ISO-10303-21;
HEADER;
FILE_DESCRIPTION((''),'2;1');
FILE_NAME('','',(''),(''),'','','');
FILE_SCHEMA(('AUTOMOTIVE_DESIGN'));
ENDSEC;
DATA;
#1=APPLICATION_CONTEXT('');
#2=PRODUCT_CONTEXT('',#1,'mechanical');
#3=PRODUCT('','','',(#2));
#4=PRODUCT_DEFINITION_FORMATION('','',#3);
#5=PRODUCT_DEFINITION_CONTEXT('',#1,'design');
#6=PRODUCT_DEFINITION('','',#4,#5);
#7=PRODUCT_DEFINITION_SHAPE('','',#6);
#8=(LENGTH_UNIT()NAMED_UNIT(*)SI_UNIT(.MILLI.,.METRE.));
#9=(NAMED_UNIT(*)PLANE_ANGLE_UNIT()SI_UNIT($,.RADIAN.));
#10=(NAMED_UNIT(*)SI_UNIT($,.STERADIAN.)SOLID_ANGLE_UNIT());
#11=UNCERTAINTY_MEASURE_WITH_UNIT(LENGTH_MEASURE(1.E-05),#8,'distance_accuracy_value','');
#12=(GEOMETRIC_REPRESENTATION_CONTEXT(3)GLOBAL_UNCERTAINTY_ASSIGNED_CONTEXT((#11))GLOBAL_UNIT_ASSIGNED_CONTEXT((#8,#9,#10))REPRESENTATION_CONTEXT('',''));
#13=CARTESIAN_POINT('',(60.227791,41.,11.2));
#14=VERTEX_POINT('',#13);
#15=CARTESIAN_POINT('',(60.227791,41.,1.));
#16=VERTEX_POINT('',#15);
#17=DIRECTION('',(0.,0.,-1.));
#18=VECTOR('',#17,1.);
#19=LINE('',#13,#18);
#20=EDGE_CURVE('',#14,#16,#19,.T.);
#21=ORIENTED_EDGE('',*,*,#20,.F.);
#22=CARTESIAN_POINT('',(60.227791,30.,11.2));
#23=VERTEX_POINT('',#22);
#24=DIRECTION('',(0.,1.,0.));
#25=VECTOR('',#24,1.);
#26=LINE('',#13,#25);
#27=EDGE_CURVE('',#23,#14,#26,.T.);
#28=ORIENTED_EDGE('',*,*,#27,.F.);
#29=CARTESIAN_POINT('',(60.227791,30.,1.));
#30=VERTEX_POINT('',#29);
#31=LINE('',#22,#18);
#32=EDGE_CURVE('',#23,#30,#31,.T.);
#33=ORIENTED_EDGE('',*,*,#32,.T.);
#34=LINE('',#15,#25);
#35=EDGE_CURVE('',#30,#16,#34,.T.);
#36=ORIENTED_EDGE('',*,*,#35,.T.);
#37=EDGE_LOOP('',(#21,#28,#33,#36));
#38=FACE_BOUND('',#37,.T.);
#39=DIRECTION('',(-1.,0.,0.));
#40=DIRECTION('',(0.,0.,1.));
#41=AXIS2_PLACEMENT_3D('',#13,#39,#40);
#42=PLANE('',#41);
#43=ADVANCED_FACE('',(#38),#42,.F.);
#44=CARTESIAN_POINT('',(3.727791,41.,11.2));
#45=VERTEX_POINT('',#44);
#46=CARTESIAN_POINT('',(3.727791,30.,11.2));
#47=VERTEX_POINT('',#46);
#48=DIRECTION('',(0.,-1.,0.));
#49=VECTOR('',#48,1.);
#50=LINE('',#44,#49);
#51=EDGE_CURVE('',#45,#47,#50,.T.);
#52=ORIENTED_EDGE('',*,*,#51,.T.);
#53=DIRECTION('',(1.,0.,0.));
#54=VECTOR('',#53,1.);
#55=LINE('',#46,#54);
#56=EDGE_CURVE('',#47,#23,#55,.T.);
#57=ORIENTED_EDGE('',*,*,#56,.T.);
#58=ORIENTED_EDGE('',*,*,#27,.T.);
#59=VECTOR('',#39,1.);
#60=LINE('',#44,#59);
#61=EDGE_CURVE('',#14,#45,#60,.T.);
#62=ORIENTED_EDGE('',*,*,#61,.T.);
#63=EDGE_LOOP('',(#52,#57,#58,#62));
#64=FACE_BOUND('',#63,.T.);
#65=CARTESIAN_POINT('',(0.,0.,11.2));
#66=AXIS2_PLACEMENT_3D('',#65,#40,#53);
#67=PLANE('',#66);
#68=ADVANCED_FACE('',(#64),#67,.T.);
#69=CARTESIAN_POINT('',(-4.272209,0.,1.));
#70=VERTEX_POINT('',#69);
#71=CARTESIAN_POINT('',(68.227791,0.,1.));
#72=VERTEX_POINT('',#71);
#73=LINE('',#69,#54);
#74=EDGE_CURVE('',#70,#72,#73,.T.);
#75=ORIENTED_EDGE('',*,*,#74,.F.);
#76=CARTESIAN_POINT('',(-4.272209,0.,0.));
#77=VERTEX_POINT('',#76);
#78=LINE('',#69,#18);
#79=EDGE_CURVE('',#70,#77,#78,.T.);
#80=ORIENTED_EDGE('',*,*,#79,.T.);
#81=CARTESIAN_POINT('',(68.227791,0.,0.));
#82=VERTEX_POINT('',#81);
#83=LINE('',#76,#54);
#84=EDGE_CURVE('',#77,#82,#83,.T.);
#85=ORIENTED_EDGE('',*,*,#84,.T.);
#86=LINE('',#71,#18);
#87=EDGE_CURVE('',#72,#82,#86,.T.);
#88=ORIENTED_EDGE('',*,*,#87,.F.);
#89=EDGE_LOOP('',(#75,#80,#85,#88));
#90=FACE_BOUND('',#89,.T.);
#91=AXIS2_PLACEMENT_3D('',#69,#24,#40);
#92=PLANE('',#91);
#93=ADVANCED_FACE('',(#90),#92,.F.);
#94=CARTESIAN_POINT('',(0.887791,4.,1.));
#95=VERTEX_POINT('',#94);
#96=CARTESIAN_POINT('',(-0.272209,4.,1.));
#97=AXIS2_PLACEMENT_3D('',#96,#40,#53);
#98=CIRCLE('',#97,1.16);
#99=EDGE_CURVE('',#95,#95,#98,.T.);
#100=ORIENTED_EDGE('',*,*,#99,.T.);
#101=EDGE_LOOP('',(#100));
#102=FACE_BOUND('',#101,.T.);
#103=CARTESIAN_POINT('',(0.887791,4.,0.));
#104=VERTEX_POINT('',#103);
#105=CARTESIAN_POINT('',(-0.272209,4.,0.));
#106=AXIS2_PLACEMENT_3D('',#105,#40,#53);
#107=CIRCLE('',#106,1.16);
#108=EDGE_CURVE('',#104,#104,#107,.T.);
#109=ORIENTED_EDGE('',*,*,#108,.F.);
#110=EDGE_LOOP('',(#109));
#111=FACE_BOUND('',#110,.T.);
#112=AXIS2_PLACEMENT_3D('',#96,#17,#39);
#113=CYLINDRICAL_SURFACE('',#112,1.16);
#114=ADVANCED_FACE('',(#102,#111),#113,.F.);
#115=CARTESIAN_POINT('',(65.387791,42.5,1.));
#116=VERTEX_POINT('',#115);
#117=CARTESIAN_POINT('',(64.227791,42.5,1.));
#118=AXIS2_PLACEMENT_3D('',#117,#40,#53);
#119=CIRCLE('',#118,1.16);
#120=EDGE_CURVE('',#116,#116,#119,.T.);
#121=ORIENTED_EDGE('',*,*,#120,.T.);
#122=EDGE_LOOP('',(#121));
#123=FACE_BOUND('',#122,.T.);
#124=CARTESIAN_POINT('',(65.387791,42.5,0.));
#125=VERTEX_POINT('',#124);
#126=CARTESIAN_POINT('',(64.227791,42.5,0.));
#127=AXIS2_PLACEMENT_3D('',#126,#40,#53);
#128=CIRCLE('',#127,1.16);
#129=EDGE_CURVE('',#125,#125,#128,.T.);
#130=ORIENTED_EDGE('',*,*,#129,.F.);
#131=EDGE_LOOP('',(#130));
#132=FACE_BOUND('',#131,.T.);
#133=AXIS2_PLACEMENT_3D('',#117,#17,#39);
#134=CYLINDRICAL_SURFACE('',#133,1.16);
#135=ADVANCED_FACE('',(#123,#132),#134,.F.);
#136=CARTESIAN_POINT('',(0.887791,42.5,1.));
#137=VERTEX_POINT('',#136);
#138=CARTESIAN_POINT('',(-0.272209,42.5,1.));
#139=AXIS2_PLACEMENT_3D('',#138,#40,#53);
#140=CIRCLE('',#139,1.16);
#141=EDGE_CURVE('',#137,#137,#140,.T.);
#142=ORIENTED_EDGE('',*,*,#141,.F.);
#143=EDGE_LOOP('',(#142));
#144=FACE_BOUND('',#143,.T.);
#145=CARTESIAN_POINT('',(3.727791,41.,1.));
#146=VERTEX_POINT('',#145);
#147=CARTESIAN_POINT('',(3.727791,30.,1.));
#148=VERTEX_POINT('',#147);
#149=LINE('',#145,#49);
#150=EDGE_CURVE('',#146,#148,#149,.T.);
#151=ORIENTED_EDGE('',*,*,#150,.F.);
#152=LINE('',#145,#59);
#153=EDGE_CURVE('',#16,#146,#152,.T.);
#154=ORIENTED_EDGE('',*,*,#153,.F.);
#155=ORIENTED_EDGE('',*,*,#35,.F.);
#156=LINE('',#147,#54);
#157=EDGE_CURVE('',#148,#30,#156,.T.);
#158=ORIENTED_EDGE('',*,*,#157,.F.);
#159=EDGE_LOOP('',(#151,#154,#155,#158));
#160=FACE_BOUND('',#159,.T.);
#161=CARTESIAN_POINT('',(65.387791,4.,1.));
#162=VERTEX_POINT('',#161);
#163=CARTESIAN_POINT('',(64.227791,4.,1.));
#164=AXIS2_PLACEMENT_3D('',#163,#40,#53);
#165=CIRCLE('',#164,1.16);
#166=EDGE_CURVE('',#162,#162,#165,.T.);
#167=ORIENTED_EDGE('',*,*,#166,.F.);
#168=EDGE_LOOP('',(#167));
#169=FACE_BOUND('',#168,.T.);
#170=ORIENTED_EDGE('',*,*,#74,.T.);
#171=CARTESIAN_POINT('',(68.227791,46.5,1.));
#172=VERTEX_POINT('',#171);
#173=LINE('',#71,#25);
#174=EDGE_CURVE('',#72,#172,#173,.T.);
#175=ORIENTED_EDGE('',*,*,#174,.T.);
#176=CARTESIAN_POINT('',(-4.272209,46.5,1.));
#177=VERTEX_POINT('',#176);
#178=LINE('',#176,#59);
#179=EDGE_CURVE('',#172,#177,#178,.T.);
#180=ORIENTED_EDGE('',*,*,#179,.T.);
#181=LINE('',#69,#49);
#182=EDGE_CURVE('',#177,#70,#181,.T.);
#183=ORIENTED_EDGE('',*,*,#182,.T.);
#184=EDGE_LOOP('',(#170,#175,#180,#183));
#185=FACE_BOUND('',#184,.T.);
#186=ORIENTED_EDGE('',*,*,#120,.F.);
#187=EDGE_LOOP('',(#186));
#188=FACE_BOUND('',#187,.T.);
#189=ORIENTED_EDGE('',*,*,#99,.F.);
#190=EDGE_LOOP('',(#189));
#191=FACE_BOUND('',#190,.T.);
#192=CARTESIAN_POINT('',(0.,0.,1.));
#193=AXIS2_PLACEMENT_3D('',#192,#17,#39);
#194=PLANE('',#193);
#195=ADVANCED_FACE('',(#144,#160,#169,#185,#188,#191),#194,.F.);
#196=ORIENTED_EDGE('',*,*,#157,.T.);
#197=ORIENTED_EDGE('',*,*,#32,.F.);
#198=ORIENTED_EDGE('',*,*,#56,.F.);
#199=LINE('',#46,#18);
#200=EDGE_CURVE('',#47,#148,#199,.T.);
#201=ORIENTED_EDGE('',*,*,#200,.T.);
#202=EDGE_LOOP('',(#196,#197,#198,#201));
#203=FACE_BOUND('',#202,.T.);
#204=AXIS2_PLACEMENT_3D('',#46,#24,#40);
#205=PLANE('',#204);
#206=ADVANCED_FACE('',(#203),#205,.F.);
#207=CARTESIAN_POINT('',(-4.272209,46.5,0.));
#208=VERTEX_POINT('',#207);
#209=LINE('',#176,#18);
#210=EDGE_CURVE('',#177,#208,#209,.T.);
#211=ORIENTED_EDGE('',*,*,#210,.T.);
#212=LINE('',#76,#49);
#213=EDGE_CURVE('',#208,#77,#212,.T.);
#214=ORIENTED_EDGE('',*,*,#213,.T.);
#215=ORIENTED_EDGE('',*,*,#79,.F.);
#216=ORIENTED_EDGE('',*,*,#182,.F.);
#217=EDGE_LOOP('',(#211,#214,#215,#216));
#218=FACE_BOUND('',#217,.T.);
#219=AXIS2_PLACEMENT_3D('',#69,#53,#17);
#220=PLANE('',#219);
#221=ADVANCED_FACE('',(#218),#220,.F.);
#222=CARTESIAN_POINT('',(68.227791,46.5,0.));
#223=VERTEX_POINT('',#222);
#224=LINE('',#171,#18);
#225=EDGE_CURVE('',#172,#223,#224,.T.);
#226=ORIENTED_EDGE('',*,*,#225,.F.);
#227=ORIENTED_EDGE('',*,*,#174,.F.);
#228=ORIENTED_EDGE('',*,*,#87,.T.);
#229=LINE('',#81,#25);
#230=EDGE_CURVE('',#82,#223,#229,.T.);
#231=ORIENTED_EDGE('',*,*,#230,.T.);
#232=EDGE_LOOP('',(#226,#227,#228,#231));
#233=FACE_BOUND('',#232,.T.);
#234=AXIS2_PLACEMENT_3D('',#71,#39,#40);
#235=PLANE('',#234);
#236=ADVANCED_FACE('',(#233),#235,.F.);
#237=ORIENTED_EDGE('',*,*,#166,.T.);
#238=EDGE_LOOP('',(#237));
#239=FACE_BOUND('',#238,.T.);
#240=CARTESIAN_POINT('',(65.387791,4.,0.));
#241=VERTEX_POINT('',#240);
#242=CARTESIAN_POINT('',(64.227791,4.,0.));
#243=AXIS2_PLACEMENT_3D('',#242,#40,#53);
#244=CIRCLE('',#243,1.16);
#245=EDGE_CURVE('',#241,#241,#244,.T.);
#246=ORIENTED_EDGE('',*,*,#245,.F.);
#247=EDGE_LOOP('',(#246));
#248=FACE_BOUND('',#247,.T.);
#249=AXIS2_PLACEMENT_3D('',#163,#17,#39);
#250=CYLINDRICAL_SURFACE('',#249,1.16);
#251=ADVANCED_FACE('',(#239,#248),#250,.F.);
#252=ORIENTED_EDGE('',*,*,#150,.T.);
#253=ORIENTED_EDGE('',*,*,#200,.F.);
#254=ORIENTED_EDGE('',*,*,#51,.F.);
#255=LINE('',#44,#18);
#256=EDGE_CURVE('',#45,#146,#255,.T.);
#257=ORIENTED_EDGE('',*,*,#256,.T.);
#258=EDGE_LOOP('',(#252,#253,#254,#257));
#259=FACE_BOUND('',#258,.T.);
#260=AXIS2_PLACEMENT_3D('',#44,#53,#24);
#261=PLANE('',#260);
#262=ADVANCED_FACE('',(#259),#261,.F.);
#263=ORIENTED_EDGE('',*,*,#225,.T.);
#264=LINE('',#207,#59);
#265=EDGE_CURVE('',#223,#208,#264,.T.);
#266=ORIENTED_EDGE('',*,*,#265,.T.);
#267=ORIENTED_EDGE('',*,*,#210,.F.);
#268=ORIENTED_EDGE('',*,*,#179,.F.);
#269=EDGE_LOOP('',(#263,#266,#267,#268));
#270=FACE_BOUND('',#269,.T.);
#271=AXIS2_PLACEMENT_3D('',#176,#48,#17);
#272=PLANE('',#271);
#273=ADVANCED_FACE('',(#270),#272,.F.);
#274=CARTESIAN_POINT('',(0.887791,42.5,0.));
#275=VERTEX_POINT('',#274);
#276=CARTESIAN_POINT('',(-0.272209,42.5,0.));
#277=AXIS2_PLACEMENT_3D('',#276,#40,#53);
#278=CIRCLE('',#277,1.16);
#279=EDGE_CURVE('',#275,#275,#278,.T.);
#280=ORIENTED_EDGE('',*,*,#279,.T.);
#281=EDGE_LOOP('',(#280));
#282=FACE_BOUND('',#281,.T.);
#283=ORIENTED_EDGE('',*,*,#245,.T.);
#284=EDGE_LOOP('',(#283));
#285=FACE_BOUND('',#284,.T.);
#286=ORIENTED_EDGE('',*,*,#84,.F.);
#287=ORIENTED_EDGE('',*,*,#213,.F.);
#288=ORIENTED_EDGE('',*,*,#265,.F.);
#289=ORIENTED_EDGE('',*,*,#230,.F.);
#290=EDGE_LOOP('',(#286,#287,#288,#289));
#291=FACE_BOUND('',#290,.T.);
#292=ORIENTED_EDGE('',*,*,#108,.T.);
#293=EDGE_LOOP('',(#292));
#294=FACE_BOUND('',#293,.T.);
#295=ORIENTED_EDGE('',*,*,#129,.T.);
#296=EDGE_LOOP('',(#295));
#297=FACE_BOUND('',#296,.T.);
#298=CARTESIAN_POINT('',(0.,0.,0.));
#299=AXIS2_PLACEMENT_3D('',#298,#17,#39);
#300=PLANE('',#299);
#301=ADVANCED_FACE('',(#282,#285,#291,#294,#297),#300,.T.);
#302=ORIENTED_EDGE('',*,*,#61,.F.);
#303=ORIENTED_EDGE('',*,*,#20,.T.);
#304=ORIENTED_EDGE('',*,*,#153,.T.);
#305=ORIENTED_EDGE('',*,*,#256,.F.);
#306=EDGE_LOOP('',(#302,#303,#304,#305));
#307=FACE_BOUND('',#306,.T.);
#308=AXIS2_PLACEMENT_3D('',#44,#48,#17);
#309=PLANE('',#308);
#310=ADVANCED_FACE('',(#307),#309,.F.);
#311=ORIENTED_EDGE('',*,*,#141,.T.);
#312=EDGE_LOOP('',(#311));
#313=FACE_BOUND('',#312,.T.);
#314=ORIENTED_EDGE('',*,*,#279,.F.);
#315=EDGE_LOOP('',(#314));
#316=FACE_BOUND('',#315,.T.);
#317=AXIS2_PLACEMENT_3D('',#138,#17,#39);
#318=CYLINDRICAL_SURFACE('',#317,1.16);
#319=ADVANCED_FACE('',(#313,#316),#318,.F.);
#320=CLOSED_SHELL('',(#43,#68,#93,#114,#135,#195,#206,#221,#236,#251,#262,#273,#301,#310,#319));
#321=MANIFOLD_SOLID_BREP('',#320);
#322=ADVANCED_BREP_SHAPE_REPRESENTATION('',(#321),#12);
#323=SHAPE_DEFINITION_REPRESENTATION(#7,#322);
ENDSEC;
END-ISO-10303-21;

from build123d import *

# Parameters (mm, degrees)
ESQUISSE1_W        = 72.5
ESQUISSE1_H        = 46.5
ESQUISSE1_R        = 1.16
BOSS_EXTRU_1_DEPTH = 1
ESQUISSE2_W        = 56.5
ESQUISSE2_H        = 11
BOSS_EXTRU_3_DEPTH = 10.2


with BuildPart() as part:
    # Esquisse1 → Boss.-Extru.1 (new body)
    with BuildSketch(Plane(origin=(-4.272208628, 0, 0), x_dir=(1, 0, 0), z_dir=(0, 0, 1))):
        with Locations((36.25, 23.25)):
            Rectangle(ESQUISSE1_W, ESQUISSE1_H)
        with Locations((4, 42.5)):
            Circle(ESQUISSE1_R, mode=Mode.SUBTRACT)
        with Locations((68.5, 42.5)):
            Circle(ESQUISSE1_R, mode=Mode.SUBTRACT)
        with Locations((68.5, 4)):
            Circle(ESQUISSE1_R, mode=Mode.SUBTRACT)
        with Locations((4, 4)):
            Circle(ESQUISSE1_R, mode=Mode.SUBTRACT)
    extrude(amount=BOSS_EXTRU_1_DEPTH)

    # Esquisse2 → Boss.-Extru.3 (add)
    with BuildSketch(Plane(origin=(-4.272208628, 0, 1), x_dir=(1, 0, 0), z_dir=(0, 0, 1))):
        with Locations((36.25, 35.5)):
            Rectangle(ESQUISSE2_W, ESQUISSE2_H)
    extrude(amount=BOSS_EXTRU_3_DEPTH)


solid = part.part
